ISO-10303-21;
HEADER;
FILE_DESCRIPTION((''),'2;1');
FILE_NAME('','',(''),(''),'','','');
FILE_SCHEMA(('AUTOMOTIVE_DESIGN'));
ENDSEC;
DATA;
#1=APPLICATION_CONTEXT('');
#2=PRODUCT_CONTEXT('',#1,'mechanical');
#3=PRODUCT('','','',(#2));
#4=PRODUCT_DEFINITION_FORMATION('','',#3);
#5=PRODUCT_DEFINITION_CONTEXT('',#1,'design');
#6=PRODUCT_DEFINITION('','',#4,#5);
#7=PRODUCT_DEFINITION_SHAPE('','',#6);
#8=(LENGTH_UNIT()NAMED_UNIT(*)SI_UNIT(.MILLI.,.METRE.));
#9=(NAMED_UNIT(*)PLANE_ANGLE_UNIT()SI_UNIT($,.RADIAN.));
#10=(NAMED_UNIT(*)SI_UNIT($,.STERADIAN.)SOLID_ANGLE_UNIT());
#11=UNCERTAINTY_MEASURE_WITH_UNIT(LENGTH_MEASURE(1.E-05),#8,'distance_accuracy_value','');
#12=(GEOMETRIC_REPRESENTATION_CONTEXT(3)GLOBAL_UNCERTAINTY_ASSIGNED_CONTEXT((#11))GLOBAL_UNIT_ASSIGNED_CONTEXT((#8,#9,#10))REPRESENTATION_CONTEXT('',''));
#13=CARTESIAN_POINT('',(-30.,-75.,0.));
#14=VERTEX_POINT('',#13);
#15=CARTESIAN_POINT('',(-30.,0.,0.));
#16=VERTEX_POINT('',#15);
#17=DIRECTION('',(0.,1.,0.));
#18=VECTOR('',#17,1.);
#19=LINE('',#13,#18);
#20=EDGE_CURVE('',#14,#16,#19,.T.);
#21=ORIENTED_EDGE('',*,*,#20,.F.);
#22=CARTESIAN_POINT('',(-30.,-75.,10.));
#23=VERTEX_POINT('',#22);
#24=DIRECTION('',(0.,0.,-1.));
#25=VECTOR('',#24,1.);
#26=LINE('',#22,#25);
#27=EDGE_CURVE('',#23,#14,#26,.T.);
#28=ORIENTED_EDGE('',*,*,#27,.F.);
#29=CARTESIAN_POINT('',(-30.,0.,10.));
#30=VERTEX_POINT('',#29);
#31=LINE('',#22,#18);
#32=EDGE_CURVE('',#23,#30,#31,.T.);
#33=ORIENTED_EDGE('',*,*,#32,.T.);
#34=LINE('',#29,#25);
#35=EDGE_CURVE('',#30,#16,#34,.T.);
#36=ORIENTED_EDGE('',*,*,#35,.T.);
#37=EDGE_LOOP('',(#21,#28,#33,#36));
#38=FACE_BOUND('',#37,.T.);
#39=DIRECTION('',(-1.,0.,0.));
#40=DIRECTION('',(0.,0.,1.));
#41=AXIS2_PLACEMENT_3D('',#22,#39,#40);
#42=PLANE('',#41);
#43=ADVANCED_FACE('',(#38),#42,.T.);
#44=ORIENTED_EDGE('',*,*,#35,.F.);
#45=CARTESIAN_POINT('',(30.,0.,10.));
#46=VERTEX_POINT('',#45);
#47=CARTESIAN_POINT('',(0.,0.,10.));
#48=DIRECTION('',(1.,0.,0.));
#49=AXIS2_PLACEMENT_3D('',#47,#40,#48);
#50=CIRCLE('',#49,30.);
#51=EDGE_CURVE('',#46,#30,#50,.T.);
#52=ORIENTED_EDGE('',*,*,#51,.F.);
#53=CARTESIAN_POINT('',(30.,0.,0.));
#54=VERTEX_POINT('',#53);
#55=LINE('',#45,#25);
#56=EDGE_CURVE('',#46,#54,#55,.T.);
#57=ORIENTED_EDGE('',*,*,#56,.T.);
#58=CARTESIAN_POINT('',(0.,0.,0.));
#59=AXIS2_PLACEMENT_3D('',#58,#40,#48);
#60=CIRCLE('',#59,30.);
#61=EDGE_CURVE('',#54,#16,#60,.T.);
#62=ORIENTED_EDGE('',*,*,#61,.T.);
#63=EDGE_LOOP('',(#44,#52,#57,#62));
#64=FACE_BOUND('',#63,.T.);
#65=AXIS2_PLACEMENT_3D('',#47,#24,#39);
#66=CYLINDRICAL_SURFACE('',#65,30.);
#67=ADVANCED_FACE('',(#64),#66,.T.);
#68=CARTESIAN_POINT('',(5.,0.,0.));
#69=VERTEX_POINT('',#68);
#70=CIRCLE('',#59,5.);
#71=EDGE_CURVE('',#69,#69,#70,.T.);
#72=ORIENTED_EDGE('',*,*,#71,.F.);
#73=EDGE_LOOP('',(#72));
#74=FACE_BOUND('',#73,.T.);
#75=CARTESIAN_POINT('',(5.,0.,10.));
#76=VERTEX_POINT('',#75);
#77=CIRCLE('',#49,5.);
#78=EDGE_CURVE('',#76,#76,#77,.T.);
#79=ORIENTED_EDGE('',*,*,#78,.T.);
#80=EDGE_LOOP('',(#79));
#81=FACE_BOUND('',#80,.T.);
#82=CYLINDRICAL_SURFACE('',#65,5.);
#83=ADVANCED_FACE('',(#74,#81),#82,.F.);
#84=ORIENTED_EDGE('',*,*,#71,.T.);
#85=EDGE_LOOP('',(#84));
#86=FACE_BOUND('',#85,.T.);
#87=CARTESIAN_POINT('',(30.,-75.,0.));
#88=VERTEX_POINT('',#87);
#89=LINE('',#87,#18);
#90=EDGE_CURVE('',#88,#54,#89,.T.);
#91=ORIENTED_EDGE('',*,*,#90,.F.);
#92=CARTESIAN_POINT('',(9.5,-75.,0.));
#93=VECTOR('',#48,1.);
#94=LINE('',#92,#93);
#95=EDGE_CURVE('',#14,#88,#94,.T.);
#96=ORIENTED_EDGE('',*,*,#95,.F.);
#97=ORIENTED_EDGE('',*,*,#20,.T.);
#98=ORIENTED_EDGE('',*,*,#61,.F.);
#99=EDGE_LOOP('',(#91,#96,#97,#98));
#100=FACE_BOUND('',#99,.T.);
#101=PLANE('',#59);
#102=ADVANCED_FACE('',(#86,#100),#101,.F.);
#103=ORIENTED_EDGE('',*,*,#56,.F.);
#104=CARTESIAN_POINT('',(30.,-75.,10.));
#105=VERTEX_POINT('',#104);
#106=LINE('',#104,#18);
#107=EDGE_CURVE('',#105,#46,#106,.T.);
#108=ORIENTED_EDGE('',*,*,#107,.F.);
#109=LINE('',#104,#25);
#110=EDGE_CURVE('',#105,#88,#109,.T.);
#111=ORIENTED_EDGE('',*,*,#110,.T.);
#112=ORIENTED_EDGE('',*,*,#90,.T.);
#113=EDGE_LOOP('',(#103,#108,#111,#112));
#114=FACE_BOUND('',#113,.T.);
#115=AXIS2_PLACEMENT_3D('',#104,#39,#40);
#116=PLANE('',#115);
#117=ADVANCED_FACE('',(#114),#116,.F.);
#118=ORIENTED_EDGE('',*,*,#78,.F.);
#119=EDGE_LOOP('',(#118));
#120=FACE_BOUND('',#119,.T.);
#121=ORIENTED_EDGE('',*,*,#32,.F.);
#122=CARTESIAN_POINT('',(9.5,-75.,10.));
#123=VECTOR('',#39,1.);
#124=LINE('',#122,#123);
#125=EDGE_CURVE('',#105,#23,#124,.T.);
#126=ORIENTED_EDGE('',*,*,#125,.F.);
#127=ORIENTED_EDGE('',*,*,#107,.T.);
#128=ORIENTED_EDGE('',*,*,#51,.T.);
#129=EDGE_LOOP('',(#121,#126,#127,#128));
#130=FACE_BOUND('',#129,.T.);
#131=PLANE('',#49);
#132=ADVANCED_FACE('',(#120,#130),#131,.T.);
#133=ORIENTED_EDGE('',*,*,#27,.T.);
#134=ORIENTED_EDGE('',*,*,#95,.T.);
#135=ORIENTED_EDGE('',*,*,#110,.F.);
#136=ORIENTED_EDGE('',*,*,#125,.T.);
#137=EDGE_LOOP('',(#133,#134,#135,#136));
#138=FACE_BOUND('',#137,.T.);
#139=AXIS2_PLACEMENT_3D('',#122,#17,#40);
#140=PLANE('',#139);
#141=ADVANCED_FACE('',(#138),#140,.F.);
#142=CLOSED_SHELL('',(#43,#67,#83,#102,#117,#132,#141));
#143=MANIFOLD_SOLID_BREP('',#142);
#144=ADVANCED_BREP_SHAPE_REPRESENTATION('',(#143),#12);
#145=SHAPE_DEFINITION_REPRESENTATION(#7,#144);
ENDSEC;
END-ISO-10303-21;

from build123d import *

# Parameters (mm, degrees)
CROQUIS1_R              = 5
SALIENTE_EXTRUIR1_DEPTH = 10


with BuildPart() as part:
    # Croquis1 → Saliente-Extruir1 (new body)
    with BuildSketch(Plane.XY):
        with BuildLine():
            Line((9.5, -75), (-30, -75))
            Line((-30, -75), (-30, 0))
            ThreePointArc((-30, 0), (0, 30), (30, 0))
            Line((30, 0), (30, -75))
            Line((30, -75), (9.5, -75))
        make_face()
        Circle(CROQUIS1_R, mode=Mode.SUBTRACT)
    extrude(amount=SALIENTE_EXTRUIR1_DEPTH)


solid = part.part
